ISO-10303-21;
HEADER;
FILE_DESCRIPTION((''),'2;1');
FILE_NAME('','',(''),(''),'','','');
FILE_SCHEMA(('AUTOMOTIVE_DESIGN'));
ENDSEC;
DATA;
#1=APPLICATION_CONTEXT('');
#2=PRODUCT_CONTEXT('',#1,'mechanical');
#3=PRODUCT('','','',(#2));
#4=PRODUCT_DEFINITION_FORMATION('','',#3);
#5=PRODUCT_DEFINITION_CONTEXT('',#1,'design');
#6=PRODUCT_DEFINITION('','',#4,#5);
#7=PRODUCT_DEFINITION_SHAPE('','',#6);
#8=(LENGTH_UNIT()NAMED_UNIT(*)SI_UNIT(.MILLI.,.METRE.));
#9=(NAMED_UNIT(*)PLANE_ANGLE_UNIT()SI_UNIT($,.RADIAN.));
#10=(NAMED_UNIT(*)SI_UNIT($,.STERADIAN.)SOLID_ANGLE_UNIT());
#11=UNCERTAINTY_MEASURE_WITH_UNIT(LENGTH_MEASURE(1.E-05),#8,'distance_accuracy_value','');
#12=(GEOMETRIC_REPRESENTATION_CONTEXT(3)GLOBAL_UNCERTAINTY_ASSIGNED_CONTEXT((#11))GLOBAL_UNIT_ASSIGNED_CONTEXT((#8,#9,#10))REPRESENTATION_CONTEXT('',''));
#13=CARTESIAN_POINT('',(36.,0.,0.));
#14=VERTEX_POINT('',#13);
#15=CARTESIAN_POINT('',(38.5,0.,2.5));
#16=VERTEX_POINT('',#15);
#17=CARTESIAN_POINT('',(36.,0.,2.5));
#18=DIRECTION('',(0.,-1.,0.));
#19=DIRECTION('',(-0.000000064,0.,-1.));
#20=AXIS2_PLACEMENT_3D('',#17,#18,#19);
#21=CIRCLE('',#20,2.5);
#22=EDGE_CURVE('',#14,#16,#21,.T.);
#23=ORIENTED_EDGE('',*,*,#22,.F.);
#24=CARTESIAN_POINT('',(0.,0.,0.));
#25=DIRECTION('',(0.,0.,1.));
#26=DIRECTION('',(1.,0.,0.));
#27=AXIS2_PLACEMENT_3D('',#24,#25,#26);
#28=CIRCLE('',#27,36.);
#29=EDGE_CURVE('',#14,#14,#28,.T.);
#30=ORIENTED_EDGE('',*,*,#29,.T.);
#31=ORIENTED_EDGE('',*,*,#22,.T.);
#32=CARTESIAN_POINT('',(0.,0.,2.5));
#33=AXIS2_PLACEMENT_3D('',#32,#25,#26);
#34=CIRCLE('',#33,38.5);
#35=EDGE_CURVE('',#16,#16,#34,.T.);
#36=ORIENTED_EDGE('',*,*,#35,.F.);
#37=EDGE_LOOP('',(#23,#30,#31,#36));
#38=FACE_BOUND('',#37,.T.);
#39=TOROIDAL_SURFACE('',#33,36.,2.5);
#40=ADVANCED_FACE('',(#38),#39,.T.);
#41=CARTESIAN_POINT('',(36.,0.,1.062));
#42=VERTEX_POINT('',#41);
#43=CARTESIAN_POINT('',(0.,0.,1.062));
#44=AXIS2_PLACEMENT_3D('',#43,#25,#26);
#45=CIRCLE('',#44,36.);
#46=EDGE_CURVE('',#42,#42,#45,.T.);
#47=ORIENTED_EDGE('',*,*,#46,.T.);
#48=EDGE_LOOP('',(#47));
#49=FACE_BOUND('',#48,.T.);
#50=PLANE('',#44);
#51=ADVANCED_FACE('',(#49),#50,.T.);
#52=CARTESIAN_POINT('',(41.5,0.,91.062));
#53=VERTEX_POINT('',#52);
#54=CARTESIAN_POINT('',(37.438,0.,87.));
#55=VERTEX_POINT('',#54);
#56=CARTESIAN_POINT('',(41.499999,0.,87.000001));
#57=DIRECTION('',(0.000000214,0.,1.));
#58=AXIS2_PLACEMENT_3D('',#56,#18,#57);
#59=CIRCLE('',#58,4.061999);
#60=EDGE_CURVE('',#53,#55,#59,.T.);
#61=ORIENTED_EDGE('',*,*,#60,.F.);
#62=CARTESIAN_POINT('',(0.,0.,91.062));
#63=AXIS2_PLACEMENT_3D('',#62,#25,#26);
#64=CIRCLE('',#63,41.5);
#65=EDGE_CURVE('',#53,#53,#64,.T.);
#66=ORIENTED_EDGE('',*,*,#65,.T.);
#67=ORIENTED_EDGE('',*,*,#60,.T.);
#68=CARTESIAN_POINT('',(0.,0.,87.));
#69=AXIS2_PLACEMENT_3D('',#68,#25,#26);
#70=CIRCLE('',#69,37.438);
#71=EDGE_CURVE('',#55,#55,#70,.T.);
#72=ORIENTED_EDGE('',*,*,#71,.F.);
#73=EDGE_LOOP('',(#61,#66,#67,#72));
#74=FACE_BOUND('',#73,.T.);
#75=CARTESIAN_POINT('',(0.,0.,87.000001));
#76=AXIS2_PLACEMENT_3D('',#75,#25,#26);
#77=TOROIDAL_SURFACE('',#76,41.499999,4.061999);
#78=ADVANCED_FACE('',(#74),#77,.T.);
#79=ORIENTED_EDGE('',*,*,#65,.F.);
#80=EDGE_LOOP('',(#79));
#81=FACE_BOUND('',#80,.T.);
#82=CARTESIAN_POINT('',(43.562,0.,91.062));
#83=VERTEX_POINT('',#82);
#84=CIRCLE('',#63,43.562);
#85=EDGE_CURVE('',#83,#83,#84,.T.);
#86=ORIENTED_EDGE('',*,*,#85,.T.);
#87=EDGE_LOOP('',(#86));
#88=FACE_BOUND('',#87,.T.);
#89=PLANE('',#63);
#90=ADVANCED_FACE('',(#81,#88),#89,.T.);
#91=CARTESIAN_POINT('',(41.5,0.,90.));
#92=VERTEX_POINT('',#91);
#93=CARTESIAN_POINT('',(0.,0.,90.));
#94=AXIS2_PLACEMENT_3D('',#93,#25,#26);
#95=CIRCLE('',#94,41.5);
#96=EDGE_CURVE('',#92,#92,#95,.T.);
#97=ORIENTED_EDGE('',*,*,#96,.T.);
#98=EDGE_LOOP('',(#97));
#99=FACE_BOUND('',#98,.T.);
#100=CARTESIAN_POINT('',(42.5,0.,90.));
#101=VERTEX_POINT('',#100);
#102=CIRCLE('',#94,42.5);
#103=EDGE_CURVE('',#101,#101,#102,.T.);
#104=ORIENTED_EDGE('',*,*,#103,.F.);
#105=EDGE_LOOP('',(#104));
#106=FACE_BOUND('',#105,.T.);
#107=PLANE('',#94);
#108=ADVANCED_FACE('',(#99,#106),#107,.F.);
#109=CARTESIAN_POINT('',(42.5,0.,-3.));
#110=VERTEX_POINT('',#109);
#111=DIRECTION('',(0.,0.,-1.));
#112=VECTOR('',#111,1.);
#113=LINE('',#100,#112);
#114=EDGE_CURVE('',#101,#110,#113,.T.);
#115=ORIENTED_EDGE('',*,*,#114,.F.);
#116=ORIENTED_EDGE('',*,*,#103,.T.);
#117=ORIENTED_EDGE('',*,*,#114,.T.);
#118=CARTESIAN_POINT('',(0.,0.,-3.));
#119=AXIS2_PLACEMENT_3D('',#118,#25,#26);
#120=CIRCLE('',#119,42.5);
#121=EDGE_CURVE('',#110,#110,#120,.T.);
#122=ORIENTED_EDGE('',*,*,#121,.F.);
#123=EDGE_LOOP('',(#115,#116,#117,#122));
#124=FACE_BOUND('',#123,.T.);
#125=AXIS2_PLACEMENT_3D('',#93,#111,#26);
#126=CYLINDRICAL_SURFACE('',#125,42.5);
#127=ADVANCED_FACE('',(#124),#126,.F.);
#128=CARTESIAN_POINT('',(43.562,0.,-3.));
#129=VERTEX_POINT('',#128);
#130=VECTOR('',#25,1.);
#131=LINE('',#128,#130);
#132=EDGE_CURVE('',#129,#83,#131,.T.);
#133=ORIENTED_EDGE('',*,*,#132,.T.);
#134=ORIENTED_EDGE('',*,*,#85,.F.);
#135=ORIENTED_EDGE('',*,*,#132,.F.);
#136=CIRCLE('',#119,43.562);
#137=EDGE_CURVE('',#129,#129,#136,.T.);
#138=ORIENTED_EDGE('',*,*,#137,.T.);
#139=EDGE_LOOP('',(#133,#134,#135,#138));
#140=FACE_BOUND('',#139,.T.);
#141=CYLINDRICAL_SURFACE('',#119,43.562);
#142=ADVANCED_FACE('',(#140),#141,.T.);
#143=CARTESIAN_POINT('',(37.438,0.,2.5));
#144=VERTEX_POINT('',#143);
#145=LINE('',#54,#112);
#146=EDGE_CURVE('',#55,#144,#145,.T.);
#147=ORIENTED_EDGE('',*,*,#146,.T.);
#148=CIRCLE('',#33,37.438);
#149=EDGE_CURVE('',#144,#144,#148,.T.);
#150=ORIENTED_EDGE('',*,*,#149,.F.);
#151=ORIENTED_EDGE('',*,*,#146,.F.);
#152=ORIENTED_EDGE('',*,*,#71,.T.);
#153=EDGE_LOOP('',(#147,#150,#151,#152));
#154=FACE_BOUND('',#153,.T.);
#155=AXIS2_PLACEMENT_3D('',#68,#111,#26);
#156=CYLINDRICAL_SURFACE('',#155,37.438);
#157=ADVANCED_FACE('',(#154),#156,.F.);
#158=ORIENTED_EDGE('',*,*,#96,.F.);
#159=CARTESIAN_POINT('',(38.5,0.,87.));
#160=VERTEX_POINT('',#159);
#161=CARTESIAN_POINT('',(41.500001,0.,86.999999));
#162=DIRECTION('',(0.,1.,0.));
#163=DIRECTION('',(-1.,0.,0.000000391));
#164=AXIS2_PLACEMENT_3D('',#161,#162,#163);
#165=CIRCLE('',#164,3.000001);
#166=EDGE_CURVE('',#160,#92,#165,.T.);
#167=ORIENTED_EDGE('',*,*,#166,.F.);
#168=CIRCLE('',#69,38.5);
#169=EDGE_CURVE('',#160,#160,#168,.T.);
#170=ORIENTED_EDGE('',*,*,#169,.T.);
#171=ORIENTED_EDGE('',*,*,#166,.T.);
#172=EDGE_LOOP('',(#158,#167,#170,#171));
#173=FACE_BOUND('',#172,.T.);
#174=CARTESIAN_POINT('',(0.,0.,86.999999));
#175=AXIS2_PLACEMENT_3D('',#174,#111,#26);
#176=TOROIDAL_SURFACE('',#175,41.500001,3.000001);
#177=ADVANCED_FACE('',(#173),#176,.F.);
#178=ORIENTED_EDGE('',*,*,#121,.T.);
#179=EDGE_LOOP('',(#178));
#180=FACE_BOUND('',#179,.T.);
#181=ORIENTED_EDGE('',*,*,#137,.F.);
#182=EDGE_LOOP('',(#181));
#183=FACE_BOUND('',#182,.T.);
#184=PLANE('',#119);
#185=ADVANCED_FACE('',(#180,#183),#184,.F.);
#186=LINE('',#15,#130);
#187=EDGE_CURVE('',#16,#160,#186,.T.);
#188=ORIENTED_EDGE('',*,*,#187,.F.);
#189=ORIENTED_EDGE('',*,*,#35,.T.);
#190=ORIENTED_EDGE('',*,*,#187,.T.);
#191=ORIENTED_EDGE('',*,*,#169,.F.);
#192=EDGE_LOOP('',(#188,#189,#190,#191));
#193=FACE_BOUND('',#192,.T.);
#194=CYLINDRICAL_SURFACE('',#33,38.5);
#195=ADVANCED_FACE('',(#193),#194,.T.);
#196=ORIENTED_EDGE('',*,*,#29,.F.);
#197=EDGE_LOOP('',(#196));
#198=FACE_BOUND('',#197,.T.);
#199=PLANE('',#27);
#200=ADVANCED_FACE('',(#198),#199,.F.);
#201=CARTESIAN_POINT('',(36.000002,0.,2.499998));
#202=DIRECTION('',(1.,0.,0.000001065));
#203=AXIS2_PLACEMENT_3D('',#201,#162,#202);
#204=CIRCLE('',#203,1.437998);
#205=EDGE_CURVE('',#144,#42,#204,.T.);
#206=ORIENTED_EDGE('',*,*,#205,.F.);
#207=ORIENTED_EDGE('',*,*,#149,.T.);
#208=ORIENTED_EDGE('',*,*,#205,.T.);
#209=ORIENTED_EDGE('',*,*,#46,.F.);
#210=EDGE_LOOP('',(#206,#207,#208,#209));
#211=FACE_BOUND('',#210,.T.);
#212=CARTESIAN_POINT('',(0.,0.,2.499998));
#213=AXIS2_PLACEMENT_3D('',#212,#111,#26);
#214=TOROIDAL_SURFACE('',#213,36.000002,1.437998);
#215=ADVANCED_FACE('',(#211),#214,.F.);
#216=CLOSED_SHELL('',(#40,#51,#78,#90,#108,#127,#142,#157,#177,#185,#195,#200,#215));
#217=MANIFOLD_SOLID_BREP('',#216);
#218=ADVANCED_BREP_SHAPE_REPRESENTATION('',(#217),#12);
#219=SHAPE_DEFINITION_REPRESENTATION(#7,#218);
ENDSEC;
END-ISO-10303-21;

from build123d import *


with BuildPart() as f1:
    # F0 (on Front) → F1 (revolve)
    with BuildSketch(Plane.XZ):
        with BuildLine():
            Line((0, 1.062), (0, 0))
            Line((0, 0), (36, 0))
            ThreePointArc((36, 0), (37.767767, 0.732233), (38.5, 2.5))
            Line((38.5, 2.5), (38.5, 87))
            ThreePointArc((38.5, 87), (39.37868, 89.12132), (41.5, 90))
            Line((41.5, 90), (42.5, 90))
            Line((42.5, 90), (42.5, -3))
            Line((42.5, -3), (43.562, -3))
            Line((43.562, -3), (43.562, 91.062))
            Line((43.562, 91.062), (42.5, 91.062))
            Line((42.5, 91.062), (41.5, 91.062))
            ThreePointArc((41.5, 91.062), (38.627732, 89.872268), (37.438, 87))
            Line((37.438, 87), (37.438, 2.5))
            ThreePointArc((37.438, 2.5), (37.01682, 1.48318), (36, 1.062))
            Line((36, 1.062), (0, 1.062))
        make_face()
    revolve(axis=Axis((0, 0, 0.531), (0, 0, 1)))


solid = f1.part
